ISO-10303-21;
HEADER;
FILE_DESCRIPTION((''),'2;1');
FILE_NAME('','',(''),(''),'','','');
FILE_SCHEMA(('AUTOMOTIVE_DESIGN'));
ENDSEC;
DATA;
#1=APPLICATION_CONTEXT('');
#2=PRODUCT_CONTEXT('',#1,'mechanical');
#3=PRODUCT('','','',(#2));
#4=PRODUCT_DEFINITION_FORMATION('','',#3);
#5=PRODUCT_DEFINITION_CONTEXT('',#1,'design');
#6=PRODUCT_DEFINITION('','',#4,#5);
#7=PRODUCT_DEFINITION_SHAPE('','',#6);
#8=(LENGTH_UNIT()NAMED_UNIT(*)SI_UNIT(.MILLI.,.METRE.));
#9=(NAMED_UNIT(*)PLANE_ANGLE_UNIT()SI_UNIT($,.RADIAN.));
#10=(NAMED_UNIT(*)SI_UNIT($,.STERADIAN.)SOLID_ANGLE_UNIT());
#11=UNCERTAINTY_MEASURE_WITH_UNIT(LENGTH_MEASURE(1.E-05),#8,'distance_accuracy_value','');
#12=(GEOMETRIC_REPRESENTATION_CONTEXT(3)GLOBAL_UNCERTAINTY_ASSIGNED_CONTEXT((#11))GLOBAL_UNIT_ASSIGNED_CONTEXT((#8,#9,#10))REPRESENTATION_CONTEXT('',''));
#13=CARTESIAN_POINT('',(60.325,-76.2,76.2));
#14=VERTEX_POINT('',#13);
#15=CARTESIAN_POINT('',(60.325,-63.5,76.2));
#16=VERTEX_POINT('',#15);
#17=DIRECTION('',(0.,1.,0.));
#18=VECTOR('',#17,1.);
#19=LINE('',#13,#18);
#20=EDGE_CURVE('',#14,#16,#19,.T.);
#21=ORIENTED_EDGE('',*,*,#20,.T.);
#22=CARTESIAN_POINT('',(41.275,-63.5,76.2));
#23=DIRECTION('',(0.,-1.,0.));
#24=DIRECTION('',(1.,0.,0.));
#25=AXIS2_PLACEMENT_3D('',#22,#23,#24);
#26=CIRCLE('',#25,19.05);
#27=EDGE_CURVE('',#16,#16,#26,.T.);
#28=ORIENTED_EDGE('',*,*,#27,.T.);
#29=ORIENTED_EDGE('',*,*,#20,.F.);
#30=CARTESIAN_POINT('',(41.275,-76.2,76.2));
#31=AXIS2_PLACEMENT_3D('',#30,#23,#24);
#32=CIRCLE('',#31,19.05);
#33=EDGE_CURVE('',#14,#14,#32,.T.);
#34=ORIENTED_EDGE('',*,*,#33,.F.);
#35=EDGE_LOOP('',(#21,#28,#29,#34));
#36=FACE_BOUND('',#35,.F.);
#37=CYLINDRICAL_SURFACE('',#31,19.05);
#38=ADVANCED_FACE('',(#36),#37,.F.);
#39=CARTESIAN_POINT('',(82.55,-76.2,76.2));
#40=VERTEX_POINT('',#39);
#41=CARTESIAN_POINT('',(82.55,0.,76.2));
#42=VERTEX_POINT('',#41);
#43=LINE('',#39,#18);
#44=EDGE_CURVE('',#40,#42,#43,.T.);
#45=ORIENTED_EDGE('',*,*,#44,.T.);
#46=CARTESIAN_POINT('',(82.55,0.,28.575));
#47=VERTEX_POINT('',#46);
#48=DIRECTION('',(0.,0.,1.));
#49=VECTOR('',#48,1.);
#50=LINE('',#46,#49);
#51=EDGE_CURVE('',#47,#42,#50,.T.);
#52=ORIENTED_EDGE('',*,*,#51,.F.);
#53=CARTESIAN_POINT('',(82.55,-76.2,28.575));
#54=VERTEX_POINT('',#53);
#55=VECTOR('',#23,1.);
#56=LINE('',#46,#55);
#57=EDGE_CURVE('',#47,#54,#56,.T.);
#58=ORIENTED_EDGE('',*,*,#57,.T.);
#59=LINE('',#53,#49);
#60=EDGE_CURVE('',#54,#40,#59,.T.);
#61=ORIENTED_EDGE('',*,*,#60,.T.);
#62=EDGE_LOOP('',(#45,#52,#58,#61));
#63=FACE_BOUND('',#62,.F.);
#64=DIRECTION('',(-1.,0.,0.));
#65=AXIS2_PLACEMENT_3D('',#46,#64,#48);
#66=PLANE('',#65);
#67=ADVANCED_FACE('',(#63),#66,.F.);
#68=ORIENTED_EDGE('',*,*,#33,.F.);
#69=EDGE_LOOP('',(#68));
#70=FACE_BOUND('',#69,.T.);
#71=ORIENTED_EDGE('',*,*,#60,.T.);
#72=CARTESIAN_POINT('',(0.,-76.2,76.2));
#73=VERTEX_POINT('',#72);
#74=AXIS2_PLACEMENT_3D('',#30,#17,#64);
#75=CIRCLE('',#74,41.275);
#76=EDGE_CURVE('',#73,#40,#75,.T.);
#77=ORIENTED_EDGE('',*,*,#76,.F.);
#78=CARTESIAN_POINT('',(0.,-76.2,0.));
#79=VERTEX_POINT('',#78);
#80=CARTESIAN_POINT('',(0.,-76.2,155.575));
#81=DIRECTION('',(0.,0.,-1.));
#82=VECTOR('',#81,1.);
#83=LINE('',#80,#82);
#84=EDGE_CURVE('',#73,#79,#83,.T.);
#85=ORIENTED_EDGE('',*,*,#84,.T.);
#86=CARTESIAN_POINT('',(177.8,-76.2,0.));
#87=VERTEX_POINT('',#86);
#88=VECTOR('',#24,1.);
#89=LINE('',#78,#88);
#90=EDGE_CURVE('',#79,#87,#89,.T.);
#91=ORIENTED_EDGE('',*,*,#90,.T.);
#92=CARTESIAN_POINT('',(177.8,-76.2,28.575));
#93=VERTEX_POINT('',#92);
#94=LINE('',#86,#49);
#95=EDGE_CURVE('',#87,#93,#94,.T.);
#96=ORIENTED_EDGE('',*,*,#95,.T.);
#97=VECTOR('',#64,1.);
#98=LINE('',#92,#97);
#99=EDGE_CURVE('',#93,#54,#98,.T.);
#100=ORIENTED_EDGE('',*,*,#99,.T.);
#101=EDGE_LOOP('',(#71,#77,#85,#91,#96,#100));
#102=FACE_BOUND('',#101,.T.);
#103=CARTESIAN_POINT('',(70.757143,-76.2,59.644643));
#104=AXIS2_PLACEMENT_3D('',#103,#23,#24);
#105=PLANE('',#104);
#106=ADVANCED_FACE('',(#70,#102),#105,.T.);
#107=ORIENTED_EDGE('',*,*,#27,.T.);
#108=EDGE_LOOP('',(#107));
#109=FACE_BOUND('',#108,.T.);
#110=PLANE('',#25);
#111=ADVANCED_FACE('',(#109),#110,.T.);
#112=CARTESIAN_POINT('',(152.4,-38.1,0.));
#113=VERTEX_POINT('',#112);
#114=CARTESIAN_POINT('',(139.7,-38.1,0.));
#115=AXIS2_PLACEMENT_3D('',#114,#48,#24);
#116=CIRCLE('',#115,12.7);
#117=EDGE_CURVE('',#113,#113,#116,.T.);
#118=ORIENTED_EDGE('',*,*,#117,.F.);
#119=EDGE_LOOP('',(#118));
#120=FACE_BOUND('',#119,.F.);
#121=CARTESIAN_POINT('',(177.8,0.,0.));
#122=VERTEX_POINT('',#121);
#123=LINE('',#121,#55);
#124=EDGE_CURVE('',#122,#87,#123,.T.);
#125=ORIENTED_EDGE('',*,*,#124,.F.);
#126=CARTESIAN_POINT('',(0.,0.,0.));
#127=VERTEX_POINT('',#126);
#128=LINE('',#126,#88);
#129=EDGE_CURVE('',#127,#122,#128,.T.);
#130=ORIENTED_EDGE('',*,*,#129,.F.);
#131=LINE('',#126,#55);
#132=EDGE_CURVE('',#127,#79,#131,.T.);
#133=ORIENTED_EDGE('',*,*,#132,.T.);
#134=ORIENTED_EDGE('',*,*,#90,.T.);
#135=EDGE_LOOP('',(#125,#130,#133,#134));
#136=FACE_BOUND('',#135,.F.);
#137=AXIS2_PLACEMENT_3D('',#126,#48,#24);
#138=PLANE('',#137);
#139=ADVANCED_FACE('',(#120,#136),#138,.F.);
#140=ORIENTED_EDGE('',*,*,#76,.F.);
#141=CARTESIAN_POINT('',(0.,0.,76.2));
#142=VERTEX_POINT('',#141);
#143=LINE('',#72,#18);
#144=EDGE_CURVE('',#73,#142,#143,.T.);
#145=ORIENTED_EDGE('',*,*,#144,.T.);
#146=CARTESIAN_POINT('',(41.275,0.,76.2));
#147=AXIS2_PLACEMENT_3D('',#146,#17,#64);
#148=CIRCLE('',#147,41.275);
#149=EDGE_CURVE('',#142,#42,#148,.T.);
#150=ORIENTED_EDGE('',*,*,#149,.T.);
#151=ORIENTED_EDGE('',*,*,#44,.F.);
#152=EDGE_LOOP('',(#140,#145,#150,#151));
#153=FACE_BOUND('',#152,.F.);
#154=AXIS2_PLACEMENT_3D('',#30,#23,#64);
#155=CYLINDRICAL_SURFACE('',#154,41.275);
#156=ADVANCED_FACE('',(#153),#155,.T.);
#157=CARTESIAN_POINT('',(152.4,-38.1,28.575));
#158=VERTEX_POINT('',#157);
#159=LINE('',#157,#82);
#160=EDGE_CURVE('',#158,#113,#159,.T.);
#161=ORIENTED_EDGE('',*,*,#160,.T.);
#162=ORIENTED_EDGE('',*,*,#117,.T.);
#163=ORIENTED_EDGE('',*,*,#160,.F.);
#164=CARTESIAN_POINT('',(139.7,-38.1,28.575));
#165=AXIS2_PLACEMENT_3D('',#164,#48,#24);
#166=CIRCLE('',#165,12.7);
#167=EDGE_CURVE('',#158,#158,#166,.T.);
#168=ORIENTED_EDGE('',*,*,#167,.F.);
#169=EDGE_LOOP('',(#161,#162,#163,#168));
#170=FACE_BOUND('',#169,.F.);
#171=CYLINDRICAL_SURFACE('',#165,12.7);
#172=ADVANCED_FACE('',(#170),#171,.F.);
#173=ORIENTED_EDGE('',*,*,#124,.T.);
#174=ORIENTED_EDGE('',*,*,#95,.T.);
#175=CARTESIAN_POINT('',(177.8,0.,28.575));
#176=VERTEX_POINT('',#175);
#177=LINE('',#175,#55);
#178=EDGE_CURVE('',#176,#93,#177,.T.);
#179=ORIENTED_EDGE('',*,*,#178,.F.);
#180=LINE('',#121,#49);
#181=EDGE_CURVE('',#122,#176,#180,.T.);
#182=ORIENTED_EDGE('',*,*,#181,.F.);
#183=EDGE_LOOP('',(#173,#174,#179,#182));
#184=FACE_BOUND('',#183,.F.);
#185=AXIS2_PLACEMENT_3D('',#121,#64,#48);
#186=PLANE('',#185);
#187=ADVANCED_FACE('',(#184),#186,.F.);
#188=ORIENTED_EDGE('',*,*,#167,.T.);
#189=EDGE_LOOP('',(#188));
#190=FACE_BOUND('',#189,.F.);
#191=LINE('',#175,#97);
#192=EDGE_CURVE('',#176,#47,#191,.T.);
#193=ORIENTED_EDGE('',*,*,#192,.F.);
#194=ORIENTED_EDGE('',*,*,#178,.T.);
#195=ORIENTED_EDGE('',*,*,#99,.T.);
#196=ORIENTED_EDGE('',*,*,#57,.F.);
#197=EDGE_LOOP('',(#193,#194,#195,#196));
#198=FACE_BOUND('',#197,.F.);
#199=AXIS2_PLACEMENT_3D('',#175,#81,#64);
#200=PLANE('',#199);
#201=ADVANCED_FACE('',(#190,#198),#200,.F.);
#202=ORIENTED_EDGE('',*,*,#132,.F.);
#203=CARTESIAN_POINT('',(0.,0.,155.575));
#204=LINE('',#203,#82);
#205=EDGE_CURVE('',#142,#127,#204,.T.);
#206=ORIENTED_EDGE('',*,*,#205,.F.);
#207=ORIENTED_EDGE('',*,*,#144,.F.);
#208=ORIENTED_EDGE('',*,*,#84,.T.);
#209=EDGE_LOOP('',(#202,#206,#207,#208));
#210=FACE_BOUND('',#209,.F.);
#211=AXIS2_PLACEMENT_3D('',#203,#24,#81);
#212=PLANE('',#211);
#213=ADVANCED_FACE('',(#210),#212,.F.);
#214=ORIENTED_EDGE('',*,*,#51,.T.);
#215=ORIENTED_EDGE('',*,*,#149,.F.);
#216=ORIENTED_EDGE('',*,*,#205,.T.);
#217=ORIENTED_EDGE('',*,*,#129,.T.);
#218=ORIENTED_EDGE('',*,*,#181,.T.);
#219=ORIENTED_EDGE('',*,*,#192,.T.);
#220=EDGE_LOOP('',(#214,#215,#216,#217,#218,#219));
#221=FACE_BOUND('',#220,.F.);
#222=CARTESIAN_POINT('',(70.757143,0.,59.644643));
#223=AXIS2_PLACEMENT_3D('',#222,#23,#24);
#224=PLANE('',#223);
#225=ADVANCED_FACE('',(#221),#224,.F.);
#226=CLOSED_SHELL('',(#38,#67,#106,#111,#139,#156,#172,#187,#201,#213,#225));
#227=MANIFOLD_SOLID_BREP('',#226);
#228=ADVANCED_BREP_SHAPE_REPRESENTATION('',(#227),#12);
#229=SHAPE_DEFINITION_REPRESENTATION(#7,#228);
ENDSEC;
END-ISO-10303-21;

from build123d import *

# Parameters (mm, degrees)
F1_DEPTH = 76.2
F2_R     = 19.05
F3_DEPTH = 12.7
F4_DEPTH = 76.2
F5_R     = 12.7
F6_DEPTH = 25374.6


with BuildPart() as f1:
    # F0 (on Front) → F1 (new body)
    with BuildSketch(Plane.XZ):
        Polygon((0, 155.575), (0, 0), (177.8, 0), (177.8, 28.575), (82.55, 28.575), (82.55, 155.575), align=None)
    extrude(amount=F1_DEPTH)

    # F2 (on face) → F3 (cut)
    with BuildSketch(Plane.XZ.offset(76.2)):
        with Locations((41.275, 76.2)):
            Circle(F2_R)
    extrude(amount=-F3_DEPTH, mode=Mode.SUBTRACT)

    # F2 (on face) → F4 (cut)
    with BuildSketch(Plane.XZ.offset(76.2)):
        with BuildLine():
            Line((0, 155.575), (0, 76.2))
            ThreePointArc((0, 76.2), (41.275, 117.475), (82.55, 76.2))
            Line((82.55, 76.2), (82.55, 155.575))
            Line((82.55, 155.575), (0, 155.575))
        make_face()
    extrude(amount=-F4_DEPTH, mode=Mode.SUBTRACT)

    # F5 (on face) → F6 (cut)
    with BuildSketch(Plane.XY.offset(28.575)):
        with Locations((139.7, -38.1)):
            Circle(F5_R)
    extrude(amount=-F6_DEPTH, mode=Mode.SUBTRACT)


solid = f1.part
